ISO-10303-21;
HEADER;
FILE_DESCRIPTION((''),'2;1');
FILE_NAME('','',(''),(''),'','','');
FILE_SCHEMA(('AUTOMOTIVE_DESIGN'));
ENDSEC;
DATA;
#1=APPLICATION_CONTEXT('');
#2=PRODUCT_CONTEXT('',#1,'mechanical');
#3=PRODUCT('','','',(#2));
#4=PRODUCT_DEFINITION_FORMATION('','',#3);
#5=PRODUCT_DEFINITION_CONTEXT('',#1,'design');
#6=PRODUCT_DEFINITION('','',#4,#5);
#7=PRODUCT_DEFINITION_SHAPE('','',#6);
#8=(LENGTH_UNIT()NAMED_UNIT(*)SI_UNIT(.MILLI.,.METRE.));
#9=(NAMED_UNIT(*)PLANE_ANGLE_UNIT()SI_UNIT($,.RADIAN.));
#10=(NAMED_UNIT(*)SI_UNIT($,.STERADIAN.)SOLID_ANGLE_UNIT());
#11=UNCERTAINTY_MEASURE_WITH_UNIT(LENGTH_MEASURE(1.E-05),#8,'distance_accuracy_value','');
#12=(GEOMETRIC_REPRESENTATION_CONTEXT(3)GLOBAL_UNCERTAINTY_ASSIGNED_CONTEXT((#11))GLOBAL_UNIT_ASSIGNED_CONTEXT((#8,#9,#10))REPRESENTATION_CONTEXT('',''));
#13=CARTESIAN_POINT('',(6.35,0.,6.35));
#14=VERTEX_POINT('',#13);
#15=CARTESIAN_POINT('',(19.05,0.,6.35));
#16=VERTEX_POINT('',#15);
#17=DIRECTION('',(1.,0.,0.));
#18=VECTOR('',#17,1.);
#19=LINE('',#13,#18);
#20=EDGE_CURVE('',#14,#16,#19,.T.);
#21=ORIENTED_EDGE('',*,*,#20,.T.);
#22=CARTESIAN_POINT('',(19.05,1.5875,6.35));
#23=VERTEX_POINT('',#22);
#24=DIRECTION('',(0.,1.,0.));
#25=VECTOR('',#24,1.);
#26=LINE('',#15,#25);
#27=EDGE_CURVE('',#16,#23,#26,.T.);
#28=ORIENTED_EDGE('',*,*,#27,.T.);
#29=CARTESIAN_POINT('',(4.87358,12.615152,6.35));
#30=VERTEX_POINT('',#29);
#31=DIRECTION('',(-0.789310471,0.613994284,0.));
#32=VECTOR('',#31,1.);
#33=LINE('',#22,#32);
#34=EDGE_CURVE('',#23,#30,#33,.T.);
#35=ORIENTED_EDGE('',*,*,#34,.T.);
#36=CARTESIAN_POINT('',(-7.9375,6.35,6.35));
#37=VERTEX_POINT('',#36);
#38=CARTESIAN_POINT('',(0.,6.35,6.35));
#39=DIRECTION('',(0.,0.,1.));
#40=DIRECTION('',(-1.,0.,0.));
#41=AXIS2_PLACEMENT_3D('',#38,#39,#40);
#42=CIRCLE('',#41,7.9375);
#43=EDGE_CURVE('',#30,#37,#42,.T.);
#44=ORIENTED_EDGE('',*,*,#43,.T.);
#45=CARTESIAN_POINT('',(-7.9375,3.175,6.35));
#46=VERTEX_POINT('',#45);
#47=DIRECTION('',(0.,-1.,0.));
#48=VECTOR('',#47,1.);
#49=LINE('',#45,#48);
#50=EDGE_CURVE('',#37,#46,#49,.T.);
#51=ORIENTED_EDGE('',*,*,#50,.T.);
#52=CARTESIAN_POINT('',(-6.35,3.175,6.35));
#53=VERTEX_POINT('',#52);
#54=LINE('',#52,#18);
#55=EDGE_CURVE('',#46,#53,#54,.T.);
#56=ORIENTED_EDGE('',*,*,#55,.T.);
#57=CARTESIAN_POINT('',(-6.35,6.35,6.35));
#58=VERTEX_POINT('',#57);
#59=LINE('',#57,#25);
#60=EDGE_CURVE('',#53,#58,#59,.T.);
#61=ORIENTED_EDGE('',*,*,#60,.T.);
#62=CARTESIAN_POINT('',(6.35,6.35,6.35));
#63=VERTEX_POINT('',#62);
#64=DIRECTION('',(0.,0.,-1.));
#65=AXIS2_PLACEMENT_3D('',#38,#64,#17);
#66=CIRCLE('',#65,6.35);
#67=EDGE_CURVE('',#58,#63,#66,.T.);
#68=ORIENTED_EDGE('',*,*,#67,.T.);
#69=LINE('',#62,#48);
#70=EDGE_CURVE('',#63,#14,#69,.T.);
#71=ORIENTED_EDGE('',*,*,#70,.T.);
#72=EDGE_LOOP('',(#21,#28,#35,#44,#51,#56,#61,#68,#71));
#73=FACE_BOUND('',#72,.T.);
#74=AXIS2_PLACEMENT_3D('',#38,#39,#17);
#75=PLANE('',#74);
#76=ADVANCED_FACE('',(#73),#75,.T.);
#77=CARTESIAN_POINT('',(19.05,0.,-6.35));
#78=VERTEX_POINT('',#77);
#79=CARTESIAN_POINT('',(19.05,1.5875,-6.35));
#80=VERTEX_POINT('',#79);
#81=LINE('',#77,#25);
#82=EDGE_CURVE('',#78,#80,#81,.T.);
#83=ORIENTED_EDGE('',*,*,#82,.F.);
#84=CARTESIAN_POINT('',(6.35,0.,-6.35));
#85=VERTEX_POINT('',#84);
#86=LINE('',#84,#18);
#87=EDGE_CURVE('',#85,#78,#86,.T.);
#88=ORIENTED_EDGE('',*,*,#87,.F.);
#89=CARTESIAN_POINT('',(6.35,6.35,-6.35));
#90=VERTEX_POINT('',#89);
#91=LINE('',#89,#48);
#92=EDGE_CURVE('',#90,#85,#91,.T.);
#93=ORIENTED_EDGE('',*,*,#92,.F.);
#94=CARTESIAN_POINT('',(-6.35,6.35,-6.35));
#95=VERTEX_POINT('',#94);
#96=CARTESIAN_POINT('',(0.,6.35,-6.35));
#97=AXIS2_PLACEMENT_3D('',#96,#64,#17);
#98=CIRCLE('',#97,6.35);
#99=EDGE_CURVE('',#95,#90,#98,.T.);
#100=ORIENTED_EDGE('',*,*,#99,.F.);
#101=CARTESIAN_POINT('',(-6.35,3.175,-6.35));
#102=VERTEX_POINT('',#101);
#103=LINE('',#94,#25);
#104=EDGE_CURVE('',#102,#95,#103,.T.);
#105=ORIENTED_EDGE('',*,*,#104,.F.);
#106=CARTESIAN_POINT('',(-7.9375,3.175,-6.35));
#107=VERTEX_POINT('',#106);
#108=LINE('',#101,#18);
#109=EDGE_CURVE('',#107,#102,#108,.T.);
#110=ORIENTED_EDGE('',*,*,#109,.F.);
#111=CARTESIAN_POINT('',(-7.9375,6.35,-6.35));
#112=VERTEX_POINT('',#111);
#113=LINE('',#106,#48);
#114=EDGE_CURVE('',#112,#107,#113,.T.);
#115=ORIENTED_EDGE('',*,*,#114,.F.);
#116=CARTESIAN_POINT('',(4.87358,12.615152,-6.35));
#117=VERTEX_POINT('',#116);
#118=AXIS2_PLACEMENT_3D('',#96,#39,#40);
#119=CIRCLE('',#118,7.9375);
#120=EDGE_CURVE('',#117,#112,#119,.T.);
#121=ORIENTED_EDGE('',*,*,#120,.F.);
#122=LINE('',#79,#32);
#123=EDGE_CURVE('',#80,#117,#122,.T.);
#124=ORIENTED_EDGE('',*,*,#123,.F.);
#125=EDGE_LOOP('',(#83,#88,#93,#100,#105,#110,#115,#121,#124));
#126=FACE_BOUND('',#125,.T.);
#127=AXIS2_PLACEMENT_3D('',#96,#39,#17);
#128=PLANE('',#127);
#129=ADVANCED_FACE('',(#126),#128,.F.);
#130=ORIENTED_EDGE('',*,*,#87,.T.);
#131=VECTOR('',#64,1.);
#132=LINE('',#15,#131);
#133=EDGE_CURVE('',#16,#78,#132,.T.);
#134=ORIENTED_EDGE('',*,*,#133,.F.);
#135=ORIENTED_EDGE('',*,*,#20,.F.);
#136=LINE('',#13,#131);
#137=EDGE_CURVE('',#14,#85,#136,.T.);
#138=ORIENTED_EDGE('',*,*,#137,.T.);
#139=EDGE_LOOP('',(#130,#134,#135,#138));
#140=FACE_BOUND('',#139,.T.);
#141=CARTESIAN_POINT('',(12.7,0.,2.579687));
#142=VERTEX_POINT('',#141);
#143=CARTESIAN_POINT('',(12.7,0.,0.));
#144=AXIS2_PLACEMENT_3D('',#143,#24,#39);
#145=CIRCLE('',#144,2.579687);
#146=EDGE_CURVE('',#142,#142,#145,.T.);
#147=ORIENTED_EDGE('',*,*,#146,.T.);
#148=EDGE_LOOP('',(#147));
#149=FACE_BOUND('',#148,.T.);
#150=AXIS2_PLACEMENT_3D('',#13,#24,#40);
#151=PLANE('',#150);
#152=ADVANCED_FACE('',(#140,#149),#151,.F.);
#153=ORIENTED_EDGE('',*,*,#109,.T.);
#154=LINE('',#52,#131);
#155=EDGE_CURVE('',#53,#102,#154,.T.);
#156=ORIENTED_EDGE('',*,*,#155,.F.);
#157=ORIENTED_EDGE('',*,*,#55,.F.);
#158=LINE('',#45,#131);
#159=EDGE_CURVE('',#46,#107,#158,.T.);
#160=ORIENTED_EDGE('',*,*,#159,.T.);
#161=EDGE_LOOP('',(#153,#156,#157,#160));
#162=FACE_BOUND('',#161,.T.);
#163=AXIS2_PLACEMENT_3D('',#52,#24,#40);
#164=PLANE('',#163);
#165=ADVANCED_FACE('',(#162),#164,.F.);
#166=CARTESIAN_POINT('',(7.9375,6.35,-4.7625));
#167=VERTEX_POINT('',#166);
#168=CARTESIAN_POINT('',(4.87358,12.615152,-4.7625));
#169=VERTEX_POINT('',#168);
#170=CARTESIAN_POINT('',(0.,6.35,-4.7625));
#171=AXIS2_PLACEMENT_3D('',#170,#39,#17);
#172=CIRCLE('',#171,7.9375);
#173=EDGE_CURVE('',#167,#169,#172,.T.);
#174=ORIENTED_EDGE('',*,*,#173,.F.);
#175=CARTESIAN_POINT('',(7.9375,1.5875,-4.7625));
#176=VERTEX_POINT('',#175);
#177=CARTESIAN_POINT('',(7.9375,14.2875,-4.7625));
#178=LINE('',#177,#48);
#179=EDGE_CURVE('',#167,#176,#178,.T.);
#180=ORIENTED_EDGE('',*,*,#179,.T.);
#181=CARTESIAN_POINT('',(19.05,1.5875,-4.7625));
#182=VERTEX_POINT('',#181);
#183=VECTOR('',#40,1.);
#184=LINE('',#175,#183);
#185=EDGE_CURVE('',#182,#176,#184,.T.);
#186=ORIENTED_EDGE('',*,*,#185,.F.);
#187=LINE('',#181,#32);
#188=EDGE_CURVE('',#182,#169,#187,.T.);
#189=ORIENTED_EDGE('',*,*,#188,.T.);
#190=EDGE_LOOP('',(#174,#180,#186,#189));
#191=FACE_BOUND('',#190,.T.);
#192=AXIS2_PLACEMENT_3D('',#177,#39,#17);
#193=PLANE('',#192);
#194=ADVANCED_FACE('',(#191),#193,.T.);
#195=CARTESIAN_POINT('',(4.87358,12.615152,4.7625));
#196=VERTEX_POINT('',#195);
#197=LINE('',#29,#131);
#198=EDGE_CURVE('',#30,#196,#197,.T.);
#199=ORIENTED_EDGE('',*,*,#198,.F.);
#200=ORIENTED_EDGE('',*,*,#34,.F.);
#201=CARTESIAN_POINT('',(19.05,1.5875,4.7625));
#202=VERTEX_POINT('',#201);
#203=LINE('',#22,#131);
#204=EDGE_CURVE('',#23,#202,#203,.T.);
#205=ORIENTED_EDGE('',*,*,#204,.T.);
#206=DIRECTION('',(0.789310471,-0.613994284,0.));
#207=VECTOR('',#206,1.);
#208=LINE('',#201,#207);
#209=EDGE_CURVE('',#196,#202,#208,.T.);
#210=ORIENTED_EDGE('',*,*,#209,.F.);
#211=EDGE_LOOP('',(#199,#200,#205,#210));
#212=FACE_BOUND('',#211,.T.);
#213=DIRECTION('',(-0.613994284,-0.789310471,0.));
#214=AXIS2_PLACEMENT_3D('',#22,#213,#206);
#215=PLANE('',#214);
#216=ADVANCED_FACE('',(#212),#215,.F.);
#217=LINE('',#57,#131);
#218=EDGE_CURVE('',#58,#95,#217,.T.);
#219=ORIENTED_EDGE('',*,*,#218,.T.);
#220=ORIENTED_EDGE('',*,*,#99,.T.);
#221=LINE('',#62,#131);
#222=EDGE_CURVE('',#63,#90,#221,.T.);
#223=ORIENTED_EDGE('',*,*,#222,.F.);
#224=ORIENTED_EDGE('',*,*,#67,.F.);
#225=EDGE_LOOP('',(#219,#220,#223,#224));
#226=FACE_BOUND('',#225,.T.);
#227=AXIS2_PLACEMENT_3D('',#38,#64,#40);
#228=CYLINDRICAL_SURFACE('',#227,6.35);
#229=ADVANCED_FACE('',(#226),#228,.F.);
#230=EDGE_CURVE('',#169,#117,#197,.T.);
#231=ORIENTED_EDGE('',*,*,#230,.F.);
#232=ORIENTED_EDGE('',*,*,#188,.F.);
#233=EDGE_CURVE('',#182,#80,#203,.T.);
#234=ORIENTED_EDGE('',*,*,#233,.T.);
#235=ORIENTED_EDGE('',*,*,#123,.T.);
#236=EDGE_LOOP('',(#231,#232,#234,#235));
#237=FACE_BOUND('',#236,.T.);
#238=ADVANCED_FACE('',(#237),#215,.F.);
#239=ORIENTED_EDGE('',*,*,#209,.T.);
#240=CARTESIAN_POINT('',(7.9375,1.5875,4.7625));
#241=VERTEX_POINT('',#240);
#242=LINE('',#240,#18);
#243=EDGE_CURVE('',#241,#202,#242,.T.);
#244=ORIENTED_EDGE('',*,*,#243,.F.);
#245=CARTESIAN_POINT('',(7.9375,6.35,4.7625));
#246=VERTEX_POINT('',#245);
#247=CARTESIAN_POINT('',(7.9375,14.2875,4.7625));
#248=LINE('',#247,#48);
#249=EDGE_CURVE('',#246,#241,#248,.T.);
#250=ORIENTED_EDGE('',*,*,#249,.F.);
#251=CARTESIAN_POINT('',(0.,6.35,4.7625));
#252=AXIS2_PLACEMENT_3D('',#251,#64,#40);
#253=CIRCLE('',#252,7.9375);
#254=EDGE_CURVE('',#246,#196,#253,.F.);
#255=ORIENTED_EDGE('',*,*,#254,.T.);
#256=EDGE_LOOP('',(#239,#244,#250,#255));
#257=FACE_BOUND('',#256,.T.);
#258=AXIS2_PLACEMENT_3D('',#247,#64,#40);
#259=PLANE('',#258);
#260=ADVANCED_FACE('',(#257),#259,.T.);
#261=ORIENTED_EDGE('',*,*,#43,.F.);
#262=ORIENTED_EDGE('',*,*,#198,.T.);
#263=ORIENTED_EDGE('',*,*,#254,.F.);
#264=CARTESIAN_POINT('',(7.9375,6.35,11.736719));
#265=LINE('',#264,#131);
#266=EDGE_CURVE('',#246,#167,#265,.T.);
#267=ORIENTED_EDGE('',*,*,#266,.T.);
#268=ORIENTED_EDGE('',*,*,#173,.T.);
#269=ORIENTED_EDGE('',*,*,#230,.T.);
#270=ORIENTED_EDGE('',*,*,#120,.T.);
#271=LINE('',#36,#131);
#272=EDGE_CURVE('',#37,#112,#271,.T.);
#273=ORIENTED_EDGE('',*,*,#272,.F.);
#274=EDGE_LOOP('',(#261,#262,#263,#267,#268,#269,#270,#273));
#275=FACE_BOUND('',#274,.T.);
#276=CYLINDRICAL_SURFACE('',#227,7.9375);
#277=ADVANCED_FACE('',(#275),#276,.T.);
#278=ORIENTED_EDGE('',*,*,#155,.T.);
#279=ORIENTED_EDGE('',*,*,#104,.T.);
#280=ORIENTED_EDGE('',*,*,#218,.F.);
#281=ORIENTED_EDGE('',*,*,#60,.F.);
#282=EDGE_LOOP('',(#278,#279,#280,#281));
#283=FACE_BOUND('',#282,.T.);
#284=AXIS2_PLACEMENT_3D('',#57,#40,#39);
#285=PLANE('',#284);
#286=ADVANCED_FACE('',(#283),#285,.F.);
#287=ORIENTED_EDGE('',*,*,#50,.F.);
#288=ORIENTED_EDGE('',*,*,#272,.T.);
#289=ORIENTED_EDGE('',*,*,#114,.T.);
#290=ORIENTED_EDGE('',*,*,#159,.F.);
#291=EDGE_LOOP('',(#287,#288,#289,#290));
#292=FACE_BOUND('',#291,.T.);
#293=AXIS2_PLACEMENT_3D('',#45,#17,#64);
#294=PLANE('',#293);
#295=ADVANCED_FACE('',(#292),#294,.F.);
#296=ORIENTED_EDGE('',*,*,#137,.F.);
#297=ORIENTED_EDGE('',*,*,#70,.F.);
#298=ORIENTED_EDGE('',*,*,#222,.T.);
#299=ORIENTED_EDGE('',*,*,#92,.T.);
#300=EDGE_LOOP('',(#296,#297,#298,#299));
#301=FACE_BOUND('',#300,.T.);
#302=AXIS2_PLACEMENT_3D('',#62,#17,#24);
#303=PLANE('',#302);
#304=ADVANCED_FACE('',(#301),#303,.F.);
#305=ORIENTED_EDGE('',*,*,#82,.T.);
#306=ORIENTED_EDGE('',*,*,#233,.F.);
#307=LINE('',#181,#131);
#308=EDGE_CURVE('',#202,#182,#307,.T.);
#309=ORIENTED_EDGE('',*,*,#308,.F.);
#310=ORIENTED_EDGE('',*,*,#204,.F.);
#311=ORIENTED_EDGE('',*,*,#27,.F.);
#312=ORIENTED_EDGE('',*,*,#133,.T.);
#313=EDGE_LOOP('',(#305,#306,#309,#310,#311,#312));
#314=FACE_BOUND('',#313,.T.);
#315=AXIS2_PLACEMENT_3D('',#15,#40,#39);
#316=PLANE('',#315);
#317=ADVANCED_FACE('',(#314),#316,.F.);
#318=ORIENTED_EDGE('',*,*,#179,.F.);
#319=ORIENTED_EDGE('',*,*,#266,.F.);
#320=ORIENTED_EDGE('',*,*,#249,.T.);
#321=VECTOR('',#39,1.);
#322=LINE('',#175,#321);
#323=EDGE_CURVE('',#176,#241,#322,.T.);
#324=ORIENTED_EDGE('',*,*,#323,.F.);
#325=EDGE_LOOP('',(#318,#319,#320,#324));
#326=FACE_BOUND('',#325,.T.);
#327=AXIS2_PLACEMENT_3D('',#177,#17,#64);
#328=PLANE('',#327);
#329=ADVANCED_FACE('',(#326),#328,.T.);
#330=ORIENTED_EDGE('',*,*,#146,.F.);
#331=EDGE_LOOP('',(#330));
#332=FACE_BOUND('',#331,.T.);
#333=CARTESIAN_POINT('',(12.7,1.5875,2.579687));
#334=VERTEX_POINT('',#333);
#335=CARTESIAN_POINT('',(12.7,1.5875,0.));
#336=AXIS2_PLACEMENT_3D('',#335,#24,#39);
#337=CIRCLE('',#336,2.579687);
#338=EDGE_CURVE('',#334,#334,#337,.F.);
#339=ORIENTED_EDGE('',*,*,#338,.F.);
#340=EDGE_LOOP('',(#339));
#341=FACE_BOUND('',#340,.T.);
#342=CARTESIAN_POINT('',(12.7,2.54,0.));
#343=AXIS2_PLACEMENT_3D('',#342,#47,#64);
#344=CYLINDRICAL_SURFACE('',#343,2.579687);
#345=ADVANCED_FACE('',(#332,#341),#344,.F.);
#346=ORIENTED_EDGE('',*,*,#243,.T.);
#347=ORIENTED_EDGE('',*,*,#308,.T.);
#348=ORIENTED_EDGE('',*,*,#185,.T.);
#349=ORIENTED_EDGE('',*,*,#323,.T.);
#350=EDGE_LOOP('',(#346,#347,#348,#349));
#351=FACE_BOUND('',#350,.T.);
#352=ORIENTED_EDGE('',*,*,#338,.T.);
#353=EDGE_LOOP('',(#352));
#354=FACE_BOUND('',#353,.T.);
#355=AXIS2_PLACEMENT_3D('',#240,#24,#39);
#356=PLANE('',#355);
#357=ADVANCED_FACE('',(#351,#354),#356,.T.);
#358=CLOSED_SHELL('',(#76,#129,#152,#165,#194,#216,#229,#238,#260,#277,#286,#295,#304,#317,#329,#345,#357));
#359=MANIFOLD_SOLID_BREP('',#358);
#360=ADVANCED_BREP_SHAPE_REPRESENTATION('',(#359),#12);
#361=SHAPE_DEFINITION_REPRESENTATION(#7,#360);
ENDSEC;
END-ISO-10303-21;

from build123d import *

# Parameters (mm, degrees)
BOSS_EXTRUDE1_DEPTH            = 6.35
CUT_EXTRUDE3_START             = 1.5875
SKETCH4_W                      = 11.112499999999997
SKETCH4_H                      = 9.524999999999999
CUT_EXTRUDE3_DEPTH             = 24.057127330312788
CUT_EXTRUDE4_REACH             = 26.645
CUT_EXTRUDE4_DIRECTION_2_REACH = 26.645
SKETCH3_R                      = 2.5796875
CUT_EXTRUDE2_DEPTH             = 2.54


with BuildPart() as part:
    # Sketch1 → Boss-Extrude1 (new, symmetric)
    with BuildSketch(Plane.XY):
        with BuildLine():
            Line((-7.9375, 3.174999999999999), (-7.9375, 6.35))
            ThreePointArc((-7.9375, 6.35), (-3.487109685994719, 13.480495935616386), (4.873579631582188, 12.615151859662083))
            Line((4.873579631582188, 12.615151859662083), (19.049999999999997, 1.5875000000000004))
            Line((19.049999999999997, 1.5875000000000004), (19.049999999999997, 0))
            Line((19.049999999999997, 0), (6.350000000000001, -1.56e-15))
            Line((6.350000000000001, -1.56e-15), (6.35, 6.3500000000000005))
            ThreePointArc((6.35, 6.3500000000000005), (-1.02e-15, 12.7), (-6.35, 6.349999999999999))
            Line((-6.35, 6.349999999999999), (-6.35, 3.175))
            Line((-6.35, 3.175), (-7.9375, 3.174999999999999))
        make_face()
    extrude(amount=BOSS_EXTRUDE1_DEPTH, both=True)

    # Sketch4 → Cut-Extrude3 (cut, through all)
    with BuildSketch(Plane(origin=(0, 0, 0), x_dir=(1, 0, 0), z_dir=(0, 1, 0)).offset(CUT_EXTRUDE3_START)):
        with Locations((13.493749999999999, 0)):
            Rectangle(SKETCH4_W, SKETCH4_H)
    extrude(amount=CUT_EXTRUDE3_DEPTH, mode=Mode.SUBTRACT)

    # Cut-Extrude4: up to this face of the body (flat: up to its plane)
    cut_extrude4_end = Plane(part.part.faces().sort_by_distance((11.641666667, 4.468922769, 4.7625))[0])
    # Sketch5 → Cut-Extrude4 (cut, up to the picked face)
    with BuildSketch(Plane.XY, mode=Mode.PRIVATE) as cut_extrude4_sk1:
        with BuildLine():
            Line((7.9375, 6.35), (7.9375, 10.231768306511267))
            Line((7.9375, 10.231768306511267), (4.873579631582187, 12.615151859662081))
            ThreePointArc((4.873579631582187, 12.615151859662081), (7.130495935616386, 9.83710968599472), (7.9375, 6.35))
        make_face()
    cut_extrude4_tool1 = split(extrude(cut_extrude4_sk1.sketch, amount=CUT_EXTRUDE4_REACH, mode=Mode.PRIVATE), bisect_by=cut_extrude4_end, keep=Keep.BOTH, mode=Mode.PRIVATE)
    add(cut_extrude4_tool1.solids().sort_by(Axis((7.302263, 9.921111, 0), (0, 0, 1)))[0], mode=Mode.SUBTRACT)

    # Cut-Extrude4 direction 2: up to this face of the body (flat: up to its plane)
    cut_extrude4_direction_2_end = Plane(part.part.faces().sort_by_distance((11.641666667, 4.468922769, -4.7625))[0])
    # Sketch5 → Cut-Extrude4 direction 2 (cut, up to the picked face)
    with BuildSketch(Plane.XY, mode=Mode.PRIVATE) as cut_extrude4_direction_2_sk1:
        with BuildLine():
            Line((7.9375, 6.35), (7.9375, 10.231768306511267))
            Line((7.9375, 10.231768306511267), (4.873579631582187, 12.615151859662081))
            ThreePointArc((4.873579631582187, 12.615151859662081), (7.130495935616386, 9.83710968599472), (7.9375, 6.35))
        make_face()
    cut_extrude4_direction_2_tool1 = split(extrude(cut_extrude4_direction_2_sk1.sketch, amount=-CUT_EXTRUDE4_DIRECTION_2_REACH, mode=Mode.PRIVATE), bisect_by=cut_extrude4_direction_2_end, keep=Keep.BOTH, mode=Mode.PRIVATE)
    add(cut_extrude4_direction_2_tool1.solids().sort_by(Axis((7.302263, 9.921111, 0), (0, 0, -1)))[0], mode=Mode.SUBTRACT)

    # Sketch3 → Cut-Extrude2 (cut)
    with BuildSketch(Plane(origin=(0, 0, 0), x_dir=(1, 0, 0), z_dir=(0, 1, 0))):
        with Locations(Location((12.7, 0, 0), (0, 0, 270))):
            Circle(SKETCH3_R)
    extrude(amount=CUT_EXTRUDE2_DEPTH, mode=Mode.SUBTRACT)


solid = part.part
